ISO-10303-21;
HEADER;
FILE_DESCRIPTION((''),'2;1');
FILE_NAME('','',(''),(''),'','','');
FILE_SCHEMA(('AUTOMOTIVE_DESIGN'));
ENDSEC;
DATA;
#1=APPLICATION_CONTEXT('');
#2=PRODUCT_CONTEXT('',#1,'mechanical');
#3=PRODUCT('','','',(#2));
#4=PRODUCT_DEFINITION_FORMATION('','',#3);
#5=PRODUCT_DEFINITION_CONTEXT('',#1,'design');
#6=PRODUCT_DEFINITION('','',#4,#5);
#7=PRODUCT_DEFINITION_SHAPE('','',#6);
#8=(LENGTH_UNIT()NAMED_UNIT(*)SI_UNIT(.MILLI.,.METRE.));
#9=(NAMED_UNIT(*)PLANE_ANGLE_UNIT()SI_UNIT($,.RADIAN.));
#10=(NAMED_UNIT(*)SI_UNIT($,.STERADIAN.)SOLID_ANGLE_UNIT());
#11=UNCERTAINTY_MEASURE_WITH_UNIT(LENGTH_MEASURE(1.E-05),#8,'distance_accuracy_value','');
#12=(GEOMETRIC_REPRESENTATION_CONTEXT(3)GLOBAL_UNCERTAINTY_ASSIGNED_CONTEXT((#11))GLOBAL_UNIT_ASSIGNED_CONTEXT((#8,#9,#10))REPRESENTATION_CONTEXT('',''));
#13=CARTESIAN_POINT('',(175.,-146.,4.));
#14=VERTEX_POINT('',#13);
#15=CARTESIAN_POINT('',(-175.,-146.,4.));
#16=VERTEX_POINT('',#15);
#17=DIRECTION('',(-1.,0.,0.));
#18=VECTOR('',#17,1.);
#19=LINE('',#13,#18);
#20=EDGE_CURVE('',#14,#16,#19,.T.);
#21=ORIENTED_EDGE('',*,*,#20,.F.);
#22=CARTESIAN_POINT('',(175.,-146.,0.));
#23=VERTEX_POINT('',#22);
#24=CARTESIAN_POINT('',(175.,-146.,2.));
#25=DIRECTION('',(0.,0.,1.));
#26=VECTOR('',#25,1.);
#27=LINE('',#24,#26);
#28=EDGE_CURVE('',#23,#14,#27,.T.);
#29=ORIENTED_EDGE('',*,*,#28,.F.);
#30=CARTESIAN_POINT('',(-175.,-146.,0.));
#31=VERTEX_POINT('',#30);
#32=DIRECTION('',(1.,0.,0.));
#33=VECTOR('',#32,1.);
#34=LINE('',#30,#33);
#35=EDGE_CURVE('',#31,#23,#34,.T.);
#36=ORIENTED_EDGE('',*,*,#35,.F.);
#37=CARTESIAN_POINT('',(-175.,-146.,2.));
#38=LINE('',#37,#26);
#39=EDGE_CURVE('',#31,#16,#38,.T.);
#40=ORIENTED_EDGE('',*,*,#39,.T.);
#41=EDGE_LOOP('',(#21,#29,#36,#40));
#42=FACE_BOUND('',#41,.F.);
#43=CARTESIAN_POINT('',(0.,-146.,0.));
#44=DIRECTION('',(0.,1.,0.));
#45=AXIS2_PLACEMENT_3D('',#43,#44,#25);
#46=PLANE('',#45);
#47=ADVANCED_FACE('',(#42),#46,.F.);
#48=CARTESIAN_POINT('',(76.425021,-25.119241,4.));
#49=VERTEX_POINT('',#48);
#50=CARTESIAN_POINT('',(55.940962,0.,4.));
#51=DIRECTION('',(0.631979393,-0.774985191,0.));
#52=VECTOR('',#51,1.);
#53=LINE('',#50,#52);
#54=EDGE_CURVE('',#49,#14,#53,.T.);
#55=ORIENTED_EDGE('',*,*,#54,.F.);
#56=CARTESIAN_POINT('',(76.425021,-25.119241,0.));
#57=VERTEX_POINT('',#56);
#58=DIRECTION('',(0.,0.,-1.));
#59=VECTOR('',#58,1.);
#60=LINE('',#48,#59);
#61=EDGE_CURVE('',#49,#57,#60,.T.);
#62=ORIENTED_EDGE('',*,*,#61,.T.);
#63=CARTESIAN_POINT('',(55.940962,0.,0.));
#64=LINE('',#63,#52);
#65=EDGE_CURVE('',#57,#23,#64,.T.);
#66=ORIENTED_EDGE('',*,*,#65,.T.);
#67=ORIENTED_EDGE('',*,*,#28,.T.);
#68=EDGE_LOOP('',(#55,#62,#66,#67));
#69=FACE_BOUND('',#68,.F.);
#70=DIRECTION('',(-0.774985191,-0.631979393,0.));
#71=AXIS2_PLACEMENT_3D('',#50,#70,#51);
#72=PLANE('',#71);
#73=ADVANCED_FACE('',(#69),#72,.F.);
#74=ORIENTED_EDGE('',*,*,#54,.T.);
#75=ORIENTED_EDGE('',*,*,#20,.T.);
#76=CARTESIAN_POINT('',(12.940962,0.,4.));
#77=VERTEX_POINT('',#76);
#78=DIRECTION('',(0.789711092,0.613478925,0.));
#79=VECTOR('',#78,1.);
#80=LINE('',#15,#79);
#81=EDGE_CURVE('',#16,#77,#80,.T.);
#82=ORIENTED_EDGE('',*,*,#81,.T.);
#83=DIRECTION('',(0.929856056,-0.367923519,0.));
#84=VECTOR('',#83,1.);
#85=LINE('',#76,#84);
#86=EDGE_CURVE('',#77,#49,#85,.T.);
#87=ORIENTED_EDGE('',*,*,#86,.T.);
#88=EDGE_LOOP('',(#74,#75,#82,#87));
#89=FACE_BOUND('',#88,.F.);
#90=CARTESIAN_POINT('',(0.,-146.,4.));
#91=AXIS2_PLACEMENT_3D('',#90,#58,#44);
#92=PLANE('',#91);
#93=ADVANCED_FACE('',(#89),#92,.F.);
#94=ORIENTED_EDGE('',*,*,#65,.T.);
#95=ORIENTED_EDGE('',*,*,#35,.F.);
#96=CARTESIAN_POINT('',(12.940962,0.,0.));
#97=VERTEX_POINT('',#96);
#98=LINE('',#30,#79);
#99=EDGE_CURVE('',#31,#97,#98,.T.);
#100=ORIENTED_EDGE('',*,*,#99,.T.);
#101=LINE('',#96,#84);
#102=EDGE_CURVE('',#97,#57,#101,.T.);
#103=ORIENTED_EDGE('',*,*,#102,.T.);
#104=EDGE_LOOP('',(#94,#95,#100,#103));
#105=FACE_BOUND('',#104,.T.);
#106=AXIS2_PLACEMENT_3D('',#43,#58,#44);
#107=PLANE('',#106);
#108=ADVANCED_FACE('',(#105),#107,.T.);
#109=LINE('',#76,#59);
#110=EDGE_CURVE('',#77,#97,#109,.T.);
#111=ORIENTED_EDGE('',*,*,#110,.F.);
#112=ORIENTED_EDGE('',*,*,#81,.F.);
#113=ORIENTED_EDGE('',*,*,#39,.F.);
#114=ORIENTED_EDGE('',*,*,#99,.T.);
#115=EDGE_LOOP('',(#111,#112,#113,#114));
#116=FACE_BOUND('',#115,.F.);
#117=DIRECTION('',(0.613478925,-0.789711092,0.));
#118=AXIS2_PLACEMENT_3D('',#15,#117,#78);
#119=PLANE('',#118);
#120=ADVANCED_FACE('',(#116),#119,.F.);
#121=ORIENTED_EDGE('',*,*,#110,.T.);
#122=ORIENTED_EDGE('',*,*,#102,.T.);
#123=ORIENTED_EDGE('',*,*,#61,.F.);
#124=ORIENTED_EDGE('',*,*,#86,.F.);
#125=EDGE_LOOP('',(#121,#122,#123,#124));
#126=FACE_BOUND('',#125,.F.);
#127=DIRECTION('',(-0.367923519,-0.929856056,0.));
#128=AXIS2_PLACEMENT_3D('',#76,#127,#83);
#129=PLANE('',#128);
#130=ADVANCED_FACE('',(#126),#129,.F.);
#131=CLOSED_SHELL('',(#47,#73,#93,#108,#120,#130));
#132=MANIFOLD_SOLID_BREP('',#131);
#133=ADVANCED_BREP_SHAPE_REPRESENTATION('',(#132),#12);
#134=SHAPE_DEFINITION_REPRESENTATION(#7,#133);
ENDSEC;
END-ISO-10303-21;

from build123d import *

# Parameters (mm, degrees)
F0_W     = 146
F0_H     = 4
F1_DEPTH = 175
F3_DEPTH = 4
F5_DEPTH = 4


with BuildPart() as f1:
    # F0 (on Right) → F1 (new body, symmetric)
    with BuildSketch(Plane.YZ):
        with Locations((-73, 2)):
            Rectangle(F0_W, F0_H)
    extrude(amount=F1_DEPTH, both=True)

    # F2 (on face) → F3 (cut, through all)
    with BuildSketch(Plane.XY.offset(4)):
        Polygon((-175, 0), (-175, -146), (12.940962, 0), align=None)
        Polygon((55.940962, 0), (175, -146), (175, 0), align=None)
    extrude(amount=-F3_DEPTH, mode=Mode.SUBTRACT)

    # F4 (on face) → F5 (cut, through all)
    with BuildSketch(Plane.XY.offset(4)):
        Polygon((55.940962, 0), (12.940962, 0), (76.425021, -25.119241), align=None)
    extrude(amount=-F5_DEPTH, mode=Mode.SUBTRACT)


solid = f1.part
